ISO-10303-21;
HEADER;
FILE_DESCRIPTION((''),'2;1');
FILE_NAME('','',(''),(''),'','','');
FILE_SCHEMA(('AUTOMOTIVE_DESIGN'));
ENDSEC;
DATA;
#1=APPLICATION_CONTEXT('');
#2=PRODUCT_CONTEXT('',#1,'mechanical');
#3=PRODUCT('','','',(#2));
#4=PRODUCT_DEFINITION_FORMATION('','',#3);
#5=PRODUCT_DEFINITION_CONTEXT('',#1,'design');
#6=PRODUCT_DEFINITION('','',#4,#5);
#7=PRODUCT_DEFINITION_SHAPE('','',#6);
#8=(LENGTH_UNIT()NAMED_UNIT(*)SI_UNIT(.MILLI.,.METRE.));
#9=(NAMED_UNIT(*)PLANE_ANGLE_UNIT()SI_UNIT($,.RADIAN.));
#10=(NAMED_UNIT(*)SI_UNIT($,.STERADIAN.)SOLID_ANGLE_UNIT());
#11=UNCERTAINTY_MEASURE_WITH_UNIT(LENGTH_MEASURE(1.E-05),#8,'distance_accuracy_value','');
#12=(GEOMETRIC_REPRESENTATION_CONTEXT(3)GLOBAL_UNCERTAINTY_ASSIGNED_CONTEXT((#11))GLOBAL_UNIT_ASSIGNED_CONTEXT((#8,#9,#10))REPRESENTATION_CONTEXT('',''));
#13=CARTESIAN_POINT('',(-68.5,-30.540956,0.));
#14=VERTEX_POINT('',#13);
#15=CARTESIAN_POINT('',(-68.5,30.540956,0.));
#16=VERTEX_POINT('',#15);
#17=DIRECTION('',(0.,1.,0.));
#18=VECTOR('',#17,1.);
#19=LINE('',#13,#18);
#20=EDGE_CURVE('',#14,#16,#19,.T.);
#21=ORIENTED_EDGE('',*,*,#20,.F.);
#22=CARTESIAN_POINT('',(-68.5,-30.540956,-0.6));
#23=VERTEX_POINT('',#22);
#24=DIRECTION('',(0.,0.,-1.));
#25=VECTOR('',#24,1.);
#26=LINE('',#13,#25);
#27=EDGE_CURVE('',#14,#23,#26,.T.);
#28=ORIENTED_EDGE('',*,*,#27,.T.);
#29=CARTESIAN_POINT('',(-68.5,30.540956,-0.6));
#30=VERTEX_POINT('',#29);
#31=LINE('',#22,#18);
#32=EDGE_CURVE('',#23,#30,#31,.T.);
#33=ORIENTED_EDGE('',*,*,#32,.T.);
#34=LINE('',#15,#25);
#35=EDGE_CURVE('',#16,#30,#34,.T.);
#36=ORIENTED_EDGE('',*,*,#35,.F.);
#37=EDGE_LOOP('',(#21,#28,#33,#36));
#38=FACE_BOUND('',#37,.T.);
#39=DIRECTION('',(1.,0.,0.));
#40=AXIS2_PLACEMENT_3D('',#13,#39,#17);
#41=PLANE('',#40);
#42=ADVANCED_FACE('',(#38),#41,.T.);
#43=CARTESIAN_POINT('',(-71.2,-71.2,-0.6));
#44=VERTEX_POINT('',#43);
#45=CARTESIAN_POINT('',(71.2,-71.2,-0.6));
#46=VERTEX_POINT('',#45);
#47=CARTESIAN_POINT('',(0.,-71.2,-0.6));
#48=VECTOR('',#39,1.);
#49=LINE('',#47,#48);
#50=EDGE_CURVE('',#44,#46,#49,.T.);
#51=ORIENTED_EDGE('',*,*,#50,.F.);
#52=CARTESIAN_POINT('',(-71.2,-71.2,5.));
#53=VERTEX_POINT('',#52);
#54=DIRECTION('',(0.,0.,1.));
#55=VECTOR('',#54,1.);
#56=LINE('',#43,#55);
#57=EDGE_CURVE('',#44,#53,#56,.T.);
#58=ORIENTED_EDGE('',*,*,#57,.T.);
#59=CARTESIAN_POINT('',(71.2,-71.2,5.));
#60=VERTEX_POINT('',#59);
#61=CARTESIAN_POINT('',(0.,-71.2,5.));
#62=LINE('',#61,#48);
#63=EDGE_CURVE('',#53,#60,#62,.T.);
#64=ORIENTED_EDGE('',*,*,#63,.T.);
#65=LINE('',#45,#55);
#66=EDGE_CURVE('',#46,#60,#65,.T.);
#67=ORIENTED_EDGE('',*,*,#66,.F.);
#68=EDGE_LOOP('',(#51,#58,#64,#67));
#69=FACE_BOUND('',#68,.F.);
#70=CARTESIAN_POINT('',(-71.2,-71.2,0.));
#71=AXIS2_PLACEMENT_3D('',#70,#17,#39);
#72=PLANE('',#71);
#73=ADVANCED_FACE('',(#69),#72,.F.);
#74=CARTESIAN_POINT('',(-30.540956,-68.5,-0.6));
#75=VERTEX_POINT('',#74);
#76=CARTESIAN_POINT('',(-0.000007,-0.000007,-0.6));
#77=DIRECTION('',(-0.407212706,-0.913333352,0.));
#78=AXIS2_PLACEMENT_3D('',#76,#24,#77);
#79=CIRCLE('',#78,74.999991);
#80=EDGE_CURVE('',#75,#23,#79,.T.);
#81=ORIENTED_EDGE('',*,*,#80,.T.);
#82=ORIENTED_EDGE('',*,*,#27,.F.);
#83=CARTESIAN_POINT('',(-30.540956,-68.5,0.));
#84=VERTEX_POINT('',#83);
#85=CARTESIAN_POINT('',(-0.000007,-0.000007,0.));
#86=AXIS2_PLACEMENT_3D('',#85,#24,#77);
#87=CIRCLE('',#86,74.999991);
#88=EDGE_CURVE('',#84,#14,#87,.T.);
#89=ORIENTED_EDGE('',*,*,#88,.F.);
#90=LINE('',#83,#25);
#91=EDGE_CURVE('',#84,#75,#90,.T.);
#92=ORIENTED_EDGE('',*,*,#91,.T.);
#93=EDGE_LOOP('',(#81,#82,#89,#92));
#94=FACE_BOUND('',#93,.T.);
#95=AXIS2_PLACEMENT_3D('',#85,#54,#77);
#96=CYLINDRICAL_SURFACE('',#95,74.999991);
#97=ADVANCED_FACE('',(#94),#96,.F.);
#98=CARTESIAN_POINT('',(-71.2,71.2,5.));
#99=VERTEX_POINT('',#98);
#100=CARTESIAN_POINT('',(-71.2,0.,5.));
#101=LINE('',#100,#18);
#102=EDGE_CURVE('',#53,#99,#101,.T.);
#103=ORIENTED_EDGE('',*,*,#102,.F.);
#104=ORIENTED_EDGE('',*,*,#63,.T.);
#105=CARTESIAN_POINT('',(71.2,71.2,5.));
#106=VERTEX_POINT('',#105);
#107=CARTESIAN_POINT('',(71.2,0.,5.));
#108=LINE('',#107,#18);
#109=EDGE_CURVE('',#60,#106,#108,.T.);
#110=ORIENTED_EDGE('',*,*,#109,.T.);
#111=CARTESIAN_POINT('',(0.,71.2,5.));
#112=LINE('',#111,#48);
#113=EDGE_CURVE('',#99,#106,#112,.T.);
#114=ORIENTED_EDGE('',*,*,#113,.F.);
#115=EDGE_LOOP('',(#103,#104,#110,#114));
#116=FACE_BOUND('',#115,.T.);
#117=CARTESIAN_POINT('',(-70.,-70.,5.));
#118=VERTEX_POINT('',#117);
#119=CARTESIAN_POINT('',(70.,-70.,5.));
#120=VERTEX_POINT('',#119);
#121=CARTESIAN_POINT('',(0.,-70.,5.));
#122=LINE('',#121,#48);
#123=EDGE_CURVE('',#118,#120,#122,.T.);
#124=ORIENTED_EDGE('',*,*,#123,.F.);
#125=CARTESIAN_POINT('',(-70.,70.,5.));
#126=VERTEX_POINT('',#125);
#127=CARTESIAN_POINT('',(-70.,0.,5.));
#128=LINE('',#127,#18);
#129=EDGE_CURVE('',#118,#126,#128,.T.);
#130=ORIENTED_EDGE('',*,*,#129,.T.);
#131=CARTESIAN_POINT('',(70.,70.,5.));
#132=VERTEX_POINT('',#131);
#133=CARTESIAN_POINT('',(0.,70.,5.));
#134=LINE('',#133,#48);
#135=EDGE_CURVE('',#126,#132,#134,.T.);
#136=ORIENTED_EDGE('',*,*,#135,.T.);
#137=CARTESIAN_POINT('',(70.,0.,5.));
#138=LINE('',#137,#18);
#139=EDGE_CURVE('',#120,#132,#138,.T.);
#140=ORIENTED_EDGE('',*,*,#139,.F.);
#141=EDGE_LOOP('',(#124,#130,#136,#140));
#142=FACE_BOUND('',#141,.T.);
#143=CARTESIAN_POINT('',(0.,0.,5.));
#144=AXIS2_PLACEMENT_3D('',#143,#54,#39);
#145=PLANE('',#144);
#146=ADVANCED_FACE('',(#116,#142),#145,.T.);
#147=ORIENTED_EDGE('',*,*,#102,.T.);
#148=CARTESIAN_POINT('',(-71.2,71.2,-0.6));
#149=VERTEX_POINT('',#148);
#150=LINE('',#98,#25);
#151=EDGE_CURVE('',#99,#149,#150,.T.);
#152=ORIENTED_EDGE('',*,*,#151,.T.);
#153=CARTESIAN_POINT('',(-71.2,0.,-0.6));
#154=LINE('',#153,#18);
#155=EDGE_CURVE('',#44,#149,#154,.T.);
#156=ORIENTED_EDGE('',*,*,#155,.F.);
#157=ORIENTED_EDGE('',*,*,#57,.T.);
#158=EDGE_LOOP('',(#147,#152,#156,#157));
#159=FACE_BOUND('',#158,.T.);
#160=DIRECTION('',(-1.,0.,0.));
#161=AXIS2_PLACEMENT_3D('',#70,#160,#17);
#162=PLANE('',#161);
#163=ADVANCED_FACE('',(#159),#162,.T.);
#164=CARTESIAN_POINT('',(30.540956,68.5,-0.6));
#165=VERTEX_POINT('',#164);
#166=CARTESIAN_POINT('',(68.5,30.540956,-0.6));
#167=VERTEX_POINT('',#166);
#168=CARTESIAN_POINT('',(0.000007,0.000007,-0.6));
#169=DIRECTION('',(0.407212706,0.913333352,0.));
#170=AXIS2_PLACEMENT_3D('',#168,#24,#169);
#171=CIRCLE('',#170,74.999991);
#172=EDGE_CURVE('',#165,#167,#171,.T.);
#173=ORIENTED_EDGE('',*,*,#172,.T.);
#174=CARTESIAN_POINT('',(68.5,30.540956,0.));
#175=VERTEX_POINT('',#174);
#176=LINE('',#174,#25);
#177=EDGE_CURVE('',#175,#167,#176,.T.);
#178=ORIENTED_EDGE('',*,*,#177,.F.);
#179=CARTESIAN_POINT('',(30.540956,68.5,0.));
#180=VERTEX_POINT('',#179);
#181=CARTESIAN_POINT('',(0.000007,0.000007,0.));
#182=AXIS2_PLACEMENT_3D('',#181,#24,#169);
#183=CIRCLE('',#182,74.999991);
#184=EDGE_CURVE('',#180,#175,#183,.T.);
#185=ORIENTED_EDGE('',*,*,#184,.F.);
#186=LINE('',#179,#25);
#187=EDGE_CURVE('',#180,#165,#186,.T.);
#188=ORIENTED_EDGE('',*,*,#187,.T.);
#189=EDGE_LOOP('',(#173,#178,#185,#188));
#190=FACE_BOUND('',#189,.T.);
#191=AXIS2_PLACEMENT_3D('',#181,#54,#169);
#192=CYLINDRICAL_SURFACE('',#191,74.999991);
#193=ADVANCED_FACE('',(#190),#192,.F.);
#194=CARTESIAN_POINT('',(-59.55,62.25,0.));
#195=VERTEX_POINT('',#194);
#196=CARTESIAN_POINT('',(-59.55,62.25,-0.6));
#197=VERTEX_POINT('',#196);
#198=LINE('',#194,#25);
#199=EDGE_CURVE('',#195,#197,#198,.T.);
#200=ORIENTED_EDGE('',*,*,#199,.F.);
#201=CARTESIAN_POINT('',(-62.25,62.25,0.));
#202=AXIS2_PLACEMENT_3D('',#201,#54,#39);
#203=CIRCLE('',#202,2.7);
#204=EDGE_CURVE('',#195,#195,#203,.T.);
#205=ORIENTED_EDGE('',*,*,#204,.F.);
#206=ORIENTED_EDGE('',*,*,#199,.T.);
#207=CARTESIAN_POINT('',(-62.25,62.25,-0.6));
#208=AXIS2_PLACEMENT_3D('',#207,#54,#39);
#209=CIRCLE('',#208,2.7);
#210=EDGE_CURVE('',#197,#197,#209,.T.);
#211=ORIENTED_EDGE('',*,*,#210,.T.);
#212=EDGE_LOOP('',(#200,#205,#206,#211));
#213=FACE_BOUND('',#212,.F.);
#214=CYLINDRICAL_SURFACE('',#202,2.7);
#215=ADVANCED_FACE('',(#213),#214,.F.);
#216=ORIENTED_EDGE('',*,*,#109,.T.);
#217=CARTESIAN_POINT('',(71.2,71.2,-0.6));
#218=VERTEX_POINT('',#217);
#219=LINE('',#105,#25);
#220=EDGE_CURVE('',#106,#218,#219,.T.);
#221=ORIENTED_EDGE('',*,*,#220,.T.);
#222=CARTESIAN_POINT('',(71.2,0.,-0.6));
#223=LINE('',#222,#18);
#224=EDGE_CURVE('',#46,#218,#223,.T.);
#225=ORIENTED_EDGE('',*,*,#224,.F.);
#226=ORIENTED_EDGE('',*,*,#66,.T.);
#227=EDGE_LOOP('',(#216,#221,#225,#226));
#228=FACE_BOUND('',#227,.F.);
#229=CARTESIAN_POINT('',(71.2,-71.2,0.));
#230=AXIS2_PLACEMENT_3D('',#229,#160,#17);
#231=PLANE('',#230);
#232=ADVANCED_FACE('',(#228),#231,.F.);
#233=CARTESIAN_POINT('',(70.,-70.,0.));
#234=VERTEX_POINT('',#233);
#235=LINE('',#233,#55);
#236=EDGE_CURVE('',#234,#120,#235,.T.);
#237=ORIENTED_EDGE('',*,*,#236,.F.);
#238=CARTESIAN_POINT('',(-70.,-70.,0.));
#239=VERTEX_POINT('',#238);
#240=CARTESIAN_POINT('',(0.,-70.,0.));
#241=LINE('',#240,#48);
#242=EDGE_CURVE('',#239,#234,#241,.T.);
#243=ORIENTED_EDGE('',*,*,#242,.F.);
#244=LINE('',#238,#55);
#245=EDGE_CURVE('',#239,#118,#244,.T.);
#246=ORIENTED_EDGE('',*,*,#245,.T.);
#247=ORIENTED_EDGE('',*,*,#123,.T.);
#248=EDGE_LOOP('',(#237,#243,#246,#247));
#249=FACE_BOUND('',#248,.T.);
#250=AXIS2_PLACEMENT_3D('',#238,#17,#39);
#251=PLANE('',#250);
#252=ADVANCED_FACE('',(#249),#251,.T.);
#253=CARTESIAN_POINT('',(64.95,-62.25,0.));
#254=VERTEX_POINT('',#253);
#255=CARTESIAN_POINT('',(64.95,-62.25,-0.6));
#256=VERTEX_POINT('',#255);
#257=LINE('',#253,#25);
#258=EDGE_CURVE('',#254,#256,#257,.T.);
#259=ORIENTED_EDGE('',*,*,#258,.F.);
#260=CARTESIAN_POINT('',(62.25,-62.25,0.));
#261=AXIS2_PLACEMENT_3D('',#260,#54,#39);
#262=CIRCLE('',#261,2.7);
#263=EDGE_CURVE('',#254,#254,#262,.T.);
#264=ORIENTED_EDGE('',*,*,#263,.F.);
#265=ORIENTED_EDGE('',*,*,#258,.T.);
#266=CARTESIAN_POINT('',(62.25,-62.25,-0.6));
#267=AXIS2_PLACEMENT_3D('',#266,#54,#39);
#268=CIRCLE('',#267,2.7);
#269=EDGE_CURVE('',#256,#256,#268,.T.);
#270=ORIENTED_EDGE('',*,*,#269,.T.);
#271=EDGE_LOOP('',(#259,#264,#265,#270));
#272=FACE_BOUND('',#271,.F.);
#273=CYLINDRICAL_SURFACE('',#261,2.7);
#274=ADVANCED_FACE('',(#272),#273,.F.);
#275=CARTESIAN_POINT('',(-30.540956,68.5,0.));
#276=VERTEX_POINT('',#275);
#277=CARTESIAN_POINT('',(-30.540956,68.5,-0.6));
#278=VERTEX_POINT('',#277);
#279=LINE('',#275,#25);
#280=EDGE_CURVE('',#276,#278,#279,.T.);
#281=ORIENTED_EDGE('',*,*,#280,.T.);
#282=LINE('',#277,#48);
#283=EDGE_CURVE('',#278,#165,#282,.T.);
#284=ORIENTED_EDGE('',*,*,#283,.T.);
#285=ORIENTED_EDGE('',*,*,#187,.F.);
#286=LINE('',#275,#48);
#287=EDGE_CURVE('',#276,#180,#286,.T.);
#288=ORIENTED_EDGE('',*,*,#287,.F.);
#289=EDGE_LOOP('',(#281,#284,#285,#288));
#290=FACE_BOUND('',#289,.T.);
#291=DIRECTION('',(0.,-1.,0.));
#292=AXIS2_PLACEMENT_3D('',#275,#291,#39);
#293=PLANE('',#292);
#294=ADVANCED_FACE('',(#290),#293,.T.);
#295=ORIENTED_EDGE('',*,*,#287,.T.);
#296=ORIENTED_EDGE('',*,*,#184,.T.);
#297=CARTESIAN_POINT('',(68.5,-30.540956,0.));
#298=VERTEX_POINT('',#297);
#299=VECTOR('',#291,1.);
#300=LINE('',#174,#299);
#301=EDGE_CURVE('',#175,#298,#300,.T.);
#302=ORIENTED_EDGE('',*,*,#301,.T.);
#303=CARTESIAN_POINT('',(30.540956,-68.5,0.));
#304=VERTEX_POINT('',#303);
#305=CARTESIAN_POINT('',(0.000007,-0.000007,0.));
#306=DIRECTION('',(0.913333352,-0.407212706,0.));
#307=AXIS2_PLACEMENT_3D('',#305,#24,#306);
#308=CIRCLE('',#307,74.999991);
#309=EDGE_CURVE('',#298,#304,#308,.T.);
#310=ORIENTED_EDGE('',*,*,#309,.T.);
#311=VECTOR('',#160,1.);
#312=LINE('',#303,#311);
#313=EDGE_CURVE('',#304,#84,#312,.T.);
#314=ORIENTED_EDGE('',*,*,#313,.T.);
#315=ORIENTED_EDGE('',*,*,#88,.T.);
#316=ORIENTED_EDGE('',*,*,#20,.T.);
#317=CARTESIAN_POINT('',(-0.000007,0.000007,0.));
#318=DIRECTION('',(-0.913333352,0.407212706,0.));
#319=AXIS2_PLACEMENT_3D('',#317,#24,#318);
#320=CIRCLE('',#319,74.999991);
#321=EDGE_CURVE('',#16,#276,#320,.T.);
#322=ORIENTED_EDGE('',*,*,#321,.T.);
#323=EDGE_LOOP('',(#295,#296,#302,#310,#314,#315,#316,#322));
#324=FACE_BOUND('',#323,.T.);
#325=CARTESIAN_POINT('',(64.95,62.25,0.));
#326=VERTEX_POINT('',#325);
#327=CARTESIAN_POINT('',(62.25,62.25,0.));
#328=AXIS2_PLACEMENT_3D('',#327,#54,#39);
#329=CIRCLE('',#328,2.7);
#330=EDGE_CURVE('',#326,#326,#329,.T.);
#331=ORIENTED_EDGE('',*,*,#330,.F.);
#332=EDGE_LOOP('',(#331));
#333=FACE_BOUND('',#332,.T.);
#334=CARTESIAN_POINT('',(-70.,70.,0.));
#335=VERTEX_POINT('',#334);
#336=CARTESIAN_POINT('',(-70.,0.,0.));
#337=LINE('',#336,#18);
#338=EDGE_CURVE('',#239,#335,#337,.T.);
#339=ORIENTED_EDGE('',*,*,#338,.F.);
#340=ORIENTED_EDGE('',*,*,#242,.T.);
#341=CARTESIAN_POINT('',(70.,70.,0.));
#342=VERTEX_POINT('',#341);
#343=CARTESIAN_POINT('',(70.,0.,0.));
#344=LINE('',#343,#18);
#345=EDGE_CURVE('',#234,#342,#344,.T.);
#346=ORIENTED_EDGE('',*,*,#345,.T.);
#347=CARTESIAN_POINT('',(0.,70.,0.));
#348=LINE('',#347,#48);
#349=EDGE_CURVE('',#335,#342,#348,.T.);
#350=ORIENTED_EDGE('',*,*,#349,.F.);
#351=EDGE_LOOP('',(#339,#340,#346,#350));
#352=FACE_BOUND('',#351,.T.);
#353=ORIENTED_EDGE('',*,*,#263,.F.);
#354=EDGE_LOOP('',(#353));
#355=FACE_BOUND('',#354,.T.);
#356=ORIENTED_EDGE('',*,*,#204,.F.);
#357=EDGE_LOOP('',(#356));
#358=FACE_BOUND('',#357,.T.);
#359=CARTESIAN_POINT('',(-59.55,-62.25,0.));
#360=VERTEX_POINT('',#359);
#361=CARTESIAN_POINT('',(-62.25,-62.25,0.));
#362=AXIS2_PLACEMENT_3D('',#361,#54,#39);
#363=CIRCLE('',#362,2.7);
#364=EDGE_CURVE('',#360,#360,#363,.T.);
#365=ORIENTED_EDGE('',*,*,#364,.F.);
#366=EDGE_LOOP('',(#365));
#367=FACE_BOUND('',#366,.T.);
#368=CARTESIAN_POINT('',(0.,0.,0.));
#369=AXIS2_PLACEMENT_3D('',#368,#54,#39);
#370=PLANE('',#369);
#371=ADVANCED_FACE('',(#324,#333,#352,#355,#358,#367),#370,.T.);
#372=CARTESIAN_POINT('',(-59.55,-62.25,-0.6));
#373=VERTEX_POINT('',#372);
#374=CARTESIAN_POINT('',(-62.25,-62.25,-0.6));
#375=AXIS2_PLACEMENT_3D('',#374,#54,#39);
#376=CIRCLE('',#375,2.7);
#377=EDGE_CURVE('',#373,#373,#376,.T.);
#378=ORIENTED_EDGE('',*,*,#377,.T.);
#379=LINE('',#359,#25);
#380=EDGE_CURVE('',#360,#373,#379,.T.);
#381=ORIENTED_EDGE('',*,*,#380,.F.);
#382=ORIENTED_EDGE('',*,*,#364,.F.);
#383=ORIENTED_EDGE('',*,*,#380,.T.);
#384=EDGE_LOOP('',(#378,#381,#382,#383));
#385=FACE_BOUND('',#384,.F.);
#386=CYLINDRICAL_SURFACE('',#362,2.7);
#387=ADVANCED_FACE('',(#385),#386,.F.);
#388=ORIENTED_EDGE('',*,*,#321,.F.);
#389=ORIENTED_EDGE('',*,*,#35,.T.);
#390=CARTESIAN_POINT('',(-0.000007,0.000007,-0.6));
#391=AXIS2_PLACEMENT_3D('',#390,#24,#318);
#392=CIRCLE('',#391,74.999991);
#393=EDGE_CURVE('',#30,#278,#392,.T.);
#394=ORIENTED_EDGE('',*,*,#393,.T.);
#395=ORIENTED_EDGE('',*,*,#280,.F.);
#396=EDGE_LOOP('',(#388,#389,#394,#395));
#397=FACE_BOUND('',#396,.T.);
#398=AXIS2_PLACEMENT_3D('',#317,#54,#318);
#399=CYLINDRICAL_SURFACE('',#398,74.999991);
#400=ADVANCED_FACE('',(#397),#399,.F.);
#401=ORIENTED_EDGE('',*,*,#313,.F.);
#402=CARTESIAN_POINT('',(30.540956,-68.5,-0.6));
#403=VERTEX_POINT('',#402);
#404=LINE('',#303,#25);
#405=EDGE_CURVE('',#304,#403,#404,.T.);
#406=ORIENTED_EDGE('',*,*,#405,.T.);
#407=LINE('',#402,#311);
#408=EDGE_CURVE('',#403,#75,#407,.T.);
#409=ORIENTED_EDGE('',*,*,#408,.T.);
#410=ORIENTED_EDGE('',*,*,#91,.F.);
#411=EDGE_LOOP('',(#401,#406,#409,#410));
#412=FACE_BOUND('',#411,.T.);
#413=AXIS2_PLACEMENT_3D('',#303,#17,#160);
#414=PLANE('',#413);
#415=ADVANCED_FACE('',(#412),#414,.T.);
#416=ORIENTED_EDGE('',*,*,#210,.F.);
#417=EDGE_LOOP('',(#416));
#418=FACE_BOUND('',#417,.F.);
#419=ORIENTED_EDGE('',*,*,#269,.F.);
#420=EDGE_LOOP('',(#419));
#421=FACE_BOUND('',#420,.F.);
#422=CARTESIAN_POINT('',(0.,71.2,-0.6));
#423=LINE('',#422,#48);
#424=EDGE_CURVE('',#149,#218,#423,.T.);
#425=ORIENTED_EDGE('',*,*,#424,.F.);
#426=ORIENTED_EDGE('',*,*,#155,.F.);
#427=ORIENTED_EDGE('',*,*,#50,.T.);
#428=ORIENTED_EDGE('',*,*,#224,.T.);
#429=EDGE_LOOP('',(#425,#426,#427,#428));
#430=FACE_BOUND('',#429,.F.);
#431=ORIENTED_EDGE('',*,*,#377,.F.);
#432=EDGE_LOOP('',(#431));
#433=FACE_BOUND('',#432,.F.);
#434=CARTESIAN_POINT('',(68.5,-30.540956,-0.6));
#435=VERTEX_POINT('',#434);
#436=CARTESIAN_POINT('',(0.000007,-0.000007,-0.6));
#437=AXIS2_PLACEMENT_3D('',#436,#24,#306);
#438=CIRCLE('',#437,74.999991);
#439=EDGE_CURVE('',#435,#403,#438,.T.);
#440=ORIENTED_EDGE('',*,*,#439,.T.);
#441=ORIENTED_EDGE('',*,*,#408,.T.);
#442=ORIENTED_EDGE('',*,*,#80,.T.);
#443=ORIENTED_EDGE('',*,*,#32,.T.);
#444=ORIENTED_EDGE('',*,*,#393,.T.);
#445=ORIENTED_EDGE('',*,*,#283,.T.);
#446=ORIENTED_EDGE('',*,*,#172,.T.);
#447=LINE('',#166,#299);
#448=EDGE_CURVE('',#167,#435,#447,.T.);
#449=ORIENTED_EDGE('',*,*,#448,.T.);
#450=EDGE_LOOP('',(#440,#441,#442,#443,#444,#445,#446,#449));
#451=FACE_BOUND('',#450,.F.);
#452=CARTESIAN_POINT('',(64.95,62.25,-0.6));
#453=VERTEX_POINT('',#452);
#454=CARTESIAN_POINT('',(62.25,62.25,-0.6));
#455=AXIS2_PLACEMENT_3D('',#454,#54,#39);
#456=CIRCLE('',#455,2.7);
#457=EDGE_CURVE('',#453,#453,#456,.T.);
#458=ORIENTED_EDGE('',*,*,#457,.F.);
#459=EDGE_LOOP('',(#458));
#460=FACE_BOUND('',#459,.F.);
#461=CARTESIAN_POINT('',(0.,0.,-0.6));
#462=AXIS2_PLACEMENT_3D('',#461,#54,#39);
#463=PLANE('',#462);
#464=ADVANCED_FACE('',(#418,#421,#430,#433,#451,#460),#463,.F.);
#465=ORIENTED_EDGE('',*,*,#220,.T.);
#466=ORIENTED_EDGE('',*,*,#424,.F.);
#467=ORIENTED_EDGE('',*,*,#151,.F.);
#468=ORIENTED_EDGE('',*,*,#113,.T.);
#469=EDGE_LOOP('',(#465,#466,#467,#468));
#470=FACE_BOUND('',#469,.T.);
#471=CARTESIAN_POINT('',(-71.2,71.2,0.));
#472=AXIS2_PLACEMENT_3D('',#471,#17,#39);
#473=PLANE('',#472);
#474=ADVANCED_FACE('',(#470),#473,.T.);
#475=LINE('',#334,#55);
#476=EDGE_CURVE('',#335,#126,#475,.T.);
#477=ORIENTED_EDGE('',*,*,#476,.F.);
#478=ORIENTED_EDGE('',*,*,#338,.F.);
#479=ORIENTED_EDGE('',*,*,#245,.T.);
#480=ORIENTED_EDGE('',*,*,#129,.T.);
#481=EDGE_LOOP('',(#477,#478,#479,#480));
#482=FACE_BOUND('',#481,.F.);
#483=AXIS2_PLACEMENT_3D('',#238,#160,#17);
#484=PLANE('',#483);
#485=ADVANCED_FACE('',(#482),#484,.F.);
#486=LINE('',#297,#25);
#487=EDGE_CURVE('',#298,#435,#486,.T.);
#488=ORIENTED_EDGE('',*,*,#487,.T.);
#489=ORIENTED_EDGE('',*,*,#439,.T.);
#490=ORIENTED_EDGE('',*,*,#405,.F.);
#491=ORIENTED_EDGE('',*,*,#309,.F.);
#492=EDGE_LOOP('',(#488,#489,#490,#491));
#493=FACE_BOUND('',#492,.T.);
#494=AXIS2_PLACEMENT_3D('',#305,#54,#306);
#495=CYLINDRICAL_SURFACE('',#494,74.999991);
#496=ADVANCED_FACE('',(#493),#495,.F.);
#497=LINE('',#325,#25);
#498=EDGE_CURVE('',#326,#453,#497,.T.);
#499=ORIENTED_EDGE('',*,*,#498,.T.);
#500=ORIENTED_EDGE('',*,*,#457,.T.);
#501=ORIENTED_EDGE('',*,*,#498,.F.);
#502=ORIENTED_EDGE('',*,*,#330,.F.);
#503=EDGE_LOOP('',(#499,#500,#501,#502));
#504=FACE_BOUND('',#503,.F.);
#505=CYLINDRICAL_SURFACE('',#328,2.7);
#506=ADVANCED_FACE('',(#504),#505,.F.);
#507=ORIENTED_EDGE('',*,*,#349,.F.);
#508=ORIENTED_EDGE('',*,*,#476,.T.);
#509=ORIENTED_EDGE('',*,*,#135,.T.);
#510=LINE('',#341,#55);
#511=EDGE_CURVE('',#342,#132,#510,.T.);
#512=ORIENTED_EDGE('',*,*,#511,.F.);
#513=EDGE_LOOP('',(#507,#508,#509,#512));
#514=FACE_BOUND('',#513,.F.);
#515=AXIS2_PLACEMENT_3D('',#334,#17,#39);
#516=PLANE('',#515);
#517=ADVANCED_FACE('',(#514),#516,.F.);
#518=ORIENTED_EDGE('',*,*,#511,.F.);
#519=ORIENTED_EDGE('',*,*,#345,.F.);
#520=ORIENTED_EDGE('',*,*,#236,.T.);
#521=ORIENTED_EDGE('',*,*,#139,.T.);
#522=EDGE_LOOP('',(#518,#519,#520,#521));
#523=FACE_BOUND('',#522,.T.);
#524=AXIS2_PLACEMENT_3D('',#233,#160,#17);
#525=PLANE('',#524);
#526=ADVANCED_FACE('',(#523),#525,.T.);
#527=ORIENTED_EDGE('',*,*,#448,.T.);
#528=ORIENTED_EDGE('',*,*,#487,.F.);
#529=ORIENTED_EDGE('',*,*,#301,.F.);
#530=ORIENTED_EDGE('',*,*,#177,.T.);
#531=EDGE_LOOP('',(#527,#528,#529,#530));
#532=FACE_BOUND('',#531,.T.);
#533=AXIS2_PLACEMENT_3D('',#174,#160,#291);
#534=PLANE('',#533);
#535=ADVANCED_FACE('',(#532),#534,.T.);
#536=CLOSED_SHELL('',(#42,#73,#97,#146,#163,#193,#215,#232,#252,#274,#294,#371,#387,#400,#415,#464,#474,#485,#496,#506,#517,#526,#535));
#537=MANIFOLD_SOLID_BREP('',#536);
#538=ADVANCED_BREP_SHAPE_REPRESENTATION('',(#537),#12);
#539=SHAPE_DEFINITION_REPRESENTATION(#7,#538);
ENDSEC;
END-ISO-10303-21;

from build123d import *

# Parameters (mm, degrees)
F1_W     = 142.4
F1_H     = 142.4
F4_DEPTH = 0.6
F2_W     = 142.4
F2_H     = 142.4
F2_W_2   = 140
F2_H_2   = 140
F5_DEPTH = 5
F3_R     = 2.7
F6_DEPTH = 0.601


with BuildPart() as f4:
    # F1 (on Top) → F4 (new body)
    with BuildSketch(Plane.XY):
        Rectangle(F1_W, F1_H)
        with BuildLine():
            ThreePointArc((-68.5, 30.540956), (-53.033009, 53.033009), (-30.540956, 68.5))
            Line((-30.540956, 68.5), (30.540956, 68.5))
            ThreePointArc((30.540956, 68.5), (53.033009, 53.033009), (68.5, 30.540956))
            Line((68.5, 30.540956), (68.5, -30.540956))
            ThreePointArc((68.5, -30.540956), (53.033009, -53.033009), (30.540956, -68.5))
            Line((30.540956, -68.5), (-30.540956, -68.5))
            ThreePointArc((-30.540956, -68.5), (-53.033009, -53.033009), (-68.5, -30.540956))
            Line((-68.5, -30.540956), (-68.5, 30.540956))
        make_face(mode=Mode.SUBTRACT)
    extrude(amount=-F4_DEPTH)

    # F2 (on Top) → F5 (join)
    with BuildSketch(Plane.XY):
        Rectangle(F2_W, F2_H)
        Rectangle(F2_W_2, F2_H_2, mode=Mode.SUBTRACT)
    extrude(amount=F5_DEPTH)

    # F3 (on Top) → F6 (cut, through all)
    with BuildSketch(Plane.XY):
        with Locations((62.25, 62.25)):
            Circle(F3_R)
        with Locations((-62.25, 62.25)):
            Circle(F3_R)
        with Locations((-62.25, -62.25)):
            Circle(F3_R)
        with Locations((62.25, -62.25)):
            Circle(F3_R)
    extrude(amount=-F6_DEPTH, mode=Mode.SUBTRACT)


solid = f4.part
